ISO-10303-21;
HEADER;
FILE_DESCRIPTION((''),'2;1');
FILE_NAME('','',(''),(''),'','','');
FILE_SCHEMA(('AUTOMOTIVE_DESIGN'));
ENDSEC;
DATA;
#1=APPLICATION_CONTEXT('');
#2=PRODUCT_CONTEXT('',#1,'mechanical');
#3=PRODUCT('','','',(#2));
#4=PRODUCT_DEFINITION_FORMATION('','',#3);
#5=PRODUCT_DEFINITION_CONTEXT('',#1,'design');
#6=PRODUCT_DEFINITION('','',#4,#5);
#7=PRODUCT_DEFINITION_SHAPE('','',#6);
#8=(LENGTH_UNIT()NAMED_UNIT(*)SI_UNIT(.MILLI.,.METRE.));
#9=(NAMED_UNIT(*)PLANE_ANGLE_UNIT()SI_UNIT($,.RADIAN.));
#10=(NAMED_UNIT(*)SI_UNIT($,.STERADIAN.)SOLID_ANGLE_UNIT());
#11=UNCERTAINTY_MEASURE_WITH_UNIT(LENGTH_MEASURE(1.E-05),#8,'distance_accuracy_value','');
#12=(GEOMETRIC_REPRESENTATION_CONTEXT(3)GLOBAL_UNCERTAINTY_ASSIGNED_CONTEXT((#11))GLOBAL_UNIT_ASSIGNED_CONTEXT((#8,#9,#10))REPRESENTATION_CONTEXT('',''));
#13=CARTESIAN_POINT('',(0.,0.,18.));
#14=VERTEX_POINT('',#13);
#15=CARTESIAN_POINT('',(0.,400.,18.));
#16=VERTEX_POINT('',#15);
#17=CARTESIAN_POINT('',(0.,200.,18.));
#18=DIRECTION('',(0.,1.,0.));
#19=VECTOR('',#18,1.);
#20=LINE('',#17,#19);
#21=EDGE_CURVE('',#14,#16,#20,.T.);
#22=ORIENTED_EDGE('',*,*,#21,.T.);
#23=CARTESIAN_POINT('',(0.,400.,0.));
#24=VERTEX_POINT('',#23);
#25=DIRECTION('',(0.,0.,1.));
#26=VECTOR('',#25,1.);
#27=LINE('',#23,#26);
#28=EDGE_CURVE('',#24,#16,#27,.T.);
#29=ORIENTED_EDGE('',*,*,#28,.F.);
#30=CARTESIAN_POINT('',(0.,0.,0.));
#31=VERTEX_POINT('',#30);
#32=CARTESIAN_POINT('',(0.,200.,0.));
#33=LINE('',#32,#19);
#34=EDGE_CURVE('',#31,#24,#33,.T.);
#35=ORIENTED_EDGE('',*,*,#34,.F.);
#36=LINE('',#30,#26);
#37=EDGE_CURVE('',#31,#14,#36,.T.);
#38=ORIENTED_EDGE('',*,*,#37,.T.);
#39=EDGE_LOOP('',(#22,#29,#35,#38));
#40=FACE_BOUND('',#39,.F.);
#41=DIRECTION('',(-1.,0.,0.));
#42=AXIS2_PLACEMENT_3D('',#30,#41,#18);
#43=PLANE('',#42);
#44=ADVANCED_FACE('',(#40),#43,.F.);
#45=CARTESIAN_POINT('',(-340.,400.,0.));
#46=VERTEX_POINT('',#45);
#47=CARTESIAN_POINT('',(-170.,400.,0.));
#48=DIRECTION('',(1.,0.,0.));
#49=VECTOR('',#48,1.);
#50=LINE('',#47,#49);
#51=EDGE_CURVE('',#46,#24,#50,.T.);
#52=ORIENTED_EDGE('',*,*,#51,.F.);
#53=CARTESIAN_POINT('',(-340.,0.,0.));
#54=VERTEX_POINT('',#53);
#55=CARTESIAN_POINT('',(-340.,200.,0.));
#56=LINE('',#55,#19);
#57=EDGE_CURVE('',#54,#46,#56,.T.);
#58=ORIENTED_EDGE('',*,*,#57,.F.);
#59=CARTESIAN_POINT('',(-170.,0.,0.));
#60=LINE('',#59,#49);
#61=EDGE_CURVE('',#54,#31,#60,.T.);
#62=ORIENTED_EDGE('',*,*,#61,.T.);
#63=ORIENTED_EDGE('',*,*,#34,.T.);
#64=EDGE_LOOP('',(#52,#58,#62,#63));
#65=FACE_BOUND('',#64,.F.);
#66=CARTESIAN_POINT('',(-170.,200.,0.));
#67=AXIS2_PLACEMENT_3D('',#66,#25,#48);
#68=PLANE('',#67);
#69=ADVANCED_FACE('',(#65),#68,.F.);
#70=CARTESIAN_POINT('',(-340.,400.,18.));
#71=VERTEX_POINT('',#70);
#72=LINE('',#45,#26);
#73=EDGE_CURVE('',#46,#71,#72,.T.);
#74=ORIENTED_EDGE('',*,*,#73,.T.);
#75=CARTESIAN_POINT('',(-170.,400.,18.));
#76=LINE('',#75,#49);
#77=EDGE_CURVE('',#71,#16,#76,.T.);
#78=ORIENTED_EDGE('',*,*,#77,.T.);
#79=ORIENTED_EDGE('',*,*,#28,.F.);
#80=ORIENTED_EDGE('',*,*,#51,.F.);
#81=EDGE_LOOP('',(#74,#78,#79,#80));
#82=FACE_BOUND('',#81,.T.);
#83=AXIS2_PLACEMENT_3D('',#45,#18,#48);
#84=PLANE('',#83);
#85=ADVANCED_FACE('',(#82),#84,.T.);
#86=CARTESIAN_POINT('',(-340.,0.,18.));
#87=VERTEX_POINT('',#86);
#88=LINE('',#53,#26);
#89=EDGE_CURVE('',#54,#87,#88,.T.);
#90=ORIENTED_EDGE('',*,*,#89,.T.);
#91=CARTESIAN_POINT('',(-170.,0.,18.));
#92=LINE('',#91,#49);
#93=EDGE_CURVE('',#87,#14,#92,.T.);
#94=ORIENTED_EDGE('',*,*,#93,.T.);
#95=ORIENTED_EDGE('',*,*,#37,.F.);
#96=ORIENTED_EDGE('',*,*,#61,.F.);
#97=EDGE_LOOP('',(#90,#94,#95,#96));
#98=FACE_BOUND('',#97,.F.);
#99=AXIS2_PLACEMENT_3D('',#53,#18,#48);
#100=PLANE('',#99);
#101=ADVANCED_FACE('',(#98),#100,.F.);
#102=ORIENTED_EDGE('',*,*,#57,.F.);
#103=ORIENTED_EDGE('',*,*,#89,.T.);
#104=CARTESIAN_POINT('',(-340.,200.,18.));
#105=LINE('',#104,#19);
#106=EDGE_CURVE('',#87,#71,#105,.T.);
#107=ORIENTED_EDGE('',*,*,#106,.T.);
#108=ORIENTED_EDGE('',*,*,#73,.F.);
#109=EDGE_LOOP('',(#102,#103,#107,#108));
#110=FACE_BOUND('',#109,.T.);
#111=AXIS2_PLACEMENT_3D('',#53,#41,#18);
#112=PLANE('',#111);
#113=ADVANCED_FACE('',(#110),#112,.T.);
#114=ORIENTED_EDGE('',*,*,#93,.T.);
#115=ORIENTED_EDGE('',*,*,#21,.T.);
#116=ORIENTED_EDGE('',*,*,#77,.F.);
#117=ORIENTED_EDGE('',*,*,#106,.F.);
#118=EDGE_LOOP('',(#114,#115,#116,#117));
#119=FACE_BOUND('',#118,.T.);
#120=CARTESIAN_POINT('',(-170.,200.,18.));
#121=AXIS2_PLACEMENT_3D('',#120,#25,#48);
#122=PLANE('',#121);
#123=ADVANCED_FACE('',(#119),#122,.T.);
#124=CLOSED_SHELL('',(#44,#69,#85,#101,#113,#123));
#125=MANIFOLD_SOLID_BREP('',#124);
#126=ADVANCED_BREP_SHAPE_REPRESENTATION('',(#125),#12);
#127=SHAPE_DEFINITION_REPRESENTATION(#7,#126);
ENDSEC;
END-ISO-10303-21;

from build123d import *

# Parameters (mm, degrees)
SKETCH_W     = 340
SKETCH_H     = 400
PAD001_DEPTH = 18


with BuildPart() as part:
    # Sketch → Pad001 (new body)
    with BuildSketch(Plane.XY):
        with Locations((-170, 200)):
            Rectangle(SKETCH_W, SKETCH_H)
    extrude(amount=PAD001_DEPTH)


solid = part.part
